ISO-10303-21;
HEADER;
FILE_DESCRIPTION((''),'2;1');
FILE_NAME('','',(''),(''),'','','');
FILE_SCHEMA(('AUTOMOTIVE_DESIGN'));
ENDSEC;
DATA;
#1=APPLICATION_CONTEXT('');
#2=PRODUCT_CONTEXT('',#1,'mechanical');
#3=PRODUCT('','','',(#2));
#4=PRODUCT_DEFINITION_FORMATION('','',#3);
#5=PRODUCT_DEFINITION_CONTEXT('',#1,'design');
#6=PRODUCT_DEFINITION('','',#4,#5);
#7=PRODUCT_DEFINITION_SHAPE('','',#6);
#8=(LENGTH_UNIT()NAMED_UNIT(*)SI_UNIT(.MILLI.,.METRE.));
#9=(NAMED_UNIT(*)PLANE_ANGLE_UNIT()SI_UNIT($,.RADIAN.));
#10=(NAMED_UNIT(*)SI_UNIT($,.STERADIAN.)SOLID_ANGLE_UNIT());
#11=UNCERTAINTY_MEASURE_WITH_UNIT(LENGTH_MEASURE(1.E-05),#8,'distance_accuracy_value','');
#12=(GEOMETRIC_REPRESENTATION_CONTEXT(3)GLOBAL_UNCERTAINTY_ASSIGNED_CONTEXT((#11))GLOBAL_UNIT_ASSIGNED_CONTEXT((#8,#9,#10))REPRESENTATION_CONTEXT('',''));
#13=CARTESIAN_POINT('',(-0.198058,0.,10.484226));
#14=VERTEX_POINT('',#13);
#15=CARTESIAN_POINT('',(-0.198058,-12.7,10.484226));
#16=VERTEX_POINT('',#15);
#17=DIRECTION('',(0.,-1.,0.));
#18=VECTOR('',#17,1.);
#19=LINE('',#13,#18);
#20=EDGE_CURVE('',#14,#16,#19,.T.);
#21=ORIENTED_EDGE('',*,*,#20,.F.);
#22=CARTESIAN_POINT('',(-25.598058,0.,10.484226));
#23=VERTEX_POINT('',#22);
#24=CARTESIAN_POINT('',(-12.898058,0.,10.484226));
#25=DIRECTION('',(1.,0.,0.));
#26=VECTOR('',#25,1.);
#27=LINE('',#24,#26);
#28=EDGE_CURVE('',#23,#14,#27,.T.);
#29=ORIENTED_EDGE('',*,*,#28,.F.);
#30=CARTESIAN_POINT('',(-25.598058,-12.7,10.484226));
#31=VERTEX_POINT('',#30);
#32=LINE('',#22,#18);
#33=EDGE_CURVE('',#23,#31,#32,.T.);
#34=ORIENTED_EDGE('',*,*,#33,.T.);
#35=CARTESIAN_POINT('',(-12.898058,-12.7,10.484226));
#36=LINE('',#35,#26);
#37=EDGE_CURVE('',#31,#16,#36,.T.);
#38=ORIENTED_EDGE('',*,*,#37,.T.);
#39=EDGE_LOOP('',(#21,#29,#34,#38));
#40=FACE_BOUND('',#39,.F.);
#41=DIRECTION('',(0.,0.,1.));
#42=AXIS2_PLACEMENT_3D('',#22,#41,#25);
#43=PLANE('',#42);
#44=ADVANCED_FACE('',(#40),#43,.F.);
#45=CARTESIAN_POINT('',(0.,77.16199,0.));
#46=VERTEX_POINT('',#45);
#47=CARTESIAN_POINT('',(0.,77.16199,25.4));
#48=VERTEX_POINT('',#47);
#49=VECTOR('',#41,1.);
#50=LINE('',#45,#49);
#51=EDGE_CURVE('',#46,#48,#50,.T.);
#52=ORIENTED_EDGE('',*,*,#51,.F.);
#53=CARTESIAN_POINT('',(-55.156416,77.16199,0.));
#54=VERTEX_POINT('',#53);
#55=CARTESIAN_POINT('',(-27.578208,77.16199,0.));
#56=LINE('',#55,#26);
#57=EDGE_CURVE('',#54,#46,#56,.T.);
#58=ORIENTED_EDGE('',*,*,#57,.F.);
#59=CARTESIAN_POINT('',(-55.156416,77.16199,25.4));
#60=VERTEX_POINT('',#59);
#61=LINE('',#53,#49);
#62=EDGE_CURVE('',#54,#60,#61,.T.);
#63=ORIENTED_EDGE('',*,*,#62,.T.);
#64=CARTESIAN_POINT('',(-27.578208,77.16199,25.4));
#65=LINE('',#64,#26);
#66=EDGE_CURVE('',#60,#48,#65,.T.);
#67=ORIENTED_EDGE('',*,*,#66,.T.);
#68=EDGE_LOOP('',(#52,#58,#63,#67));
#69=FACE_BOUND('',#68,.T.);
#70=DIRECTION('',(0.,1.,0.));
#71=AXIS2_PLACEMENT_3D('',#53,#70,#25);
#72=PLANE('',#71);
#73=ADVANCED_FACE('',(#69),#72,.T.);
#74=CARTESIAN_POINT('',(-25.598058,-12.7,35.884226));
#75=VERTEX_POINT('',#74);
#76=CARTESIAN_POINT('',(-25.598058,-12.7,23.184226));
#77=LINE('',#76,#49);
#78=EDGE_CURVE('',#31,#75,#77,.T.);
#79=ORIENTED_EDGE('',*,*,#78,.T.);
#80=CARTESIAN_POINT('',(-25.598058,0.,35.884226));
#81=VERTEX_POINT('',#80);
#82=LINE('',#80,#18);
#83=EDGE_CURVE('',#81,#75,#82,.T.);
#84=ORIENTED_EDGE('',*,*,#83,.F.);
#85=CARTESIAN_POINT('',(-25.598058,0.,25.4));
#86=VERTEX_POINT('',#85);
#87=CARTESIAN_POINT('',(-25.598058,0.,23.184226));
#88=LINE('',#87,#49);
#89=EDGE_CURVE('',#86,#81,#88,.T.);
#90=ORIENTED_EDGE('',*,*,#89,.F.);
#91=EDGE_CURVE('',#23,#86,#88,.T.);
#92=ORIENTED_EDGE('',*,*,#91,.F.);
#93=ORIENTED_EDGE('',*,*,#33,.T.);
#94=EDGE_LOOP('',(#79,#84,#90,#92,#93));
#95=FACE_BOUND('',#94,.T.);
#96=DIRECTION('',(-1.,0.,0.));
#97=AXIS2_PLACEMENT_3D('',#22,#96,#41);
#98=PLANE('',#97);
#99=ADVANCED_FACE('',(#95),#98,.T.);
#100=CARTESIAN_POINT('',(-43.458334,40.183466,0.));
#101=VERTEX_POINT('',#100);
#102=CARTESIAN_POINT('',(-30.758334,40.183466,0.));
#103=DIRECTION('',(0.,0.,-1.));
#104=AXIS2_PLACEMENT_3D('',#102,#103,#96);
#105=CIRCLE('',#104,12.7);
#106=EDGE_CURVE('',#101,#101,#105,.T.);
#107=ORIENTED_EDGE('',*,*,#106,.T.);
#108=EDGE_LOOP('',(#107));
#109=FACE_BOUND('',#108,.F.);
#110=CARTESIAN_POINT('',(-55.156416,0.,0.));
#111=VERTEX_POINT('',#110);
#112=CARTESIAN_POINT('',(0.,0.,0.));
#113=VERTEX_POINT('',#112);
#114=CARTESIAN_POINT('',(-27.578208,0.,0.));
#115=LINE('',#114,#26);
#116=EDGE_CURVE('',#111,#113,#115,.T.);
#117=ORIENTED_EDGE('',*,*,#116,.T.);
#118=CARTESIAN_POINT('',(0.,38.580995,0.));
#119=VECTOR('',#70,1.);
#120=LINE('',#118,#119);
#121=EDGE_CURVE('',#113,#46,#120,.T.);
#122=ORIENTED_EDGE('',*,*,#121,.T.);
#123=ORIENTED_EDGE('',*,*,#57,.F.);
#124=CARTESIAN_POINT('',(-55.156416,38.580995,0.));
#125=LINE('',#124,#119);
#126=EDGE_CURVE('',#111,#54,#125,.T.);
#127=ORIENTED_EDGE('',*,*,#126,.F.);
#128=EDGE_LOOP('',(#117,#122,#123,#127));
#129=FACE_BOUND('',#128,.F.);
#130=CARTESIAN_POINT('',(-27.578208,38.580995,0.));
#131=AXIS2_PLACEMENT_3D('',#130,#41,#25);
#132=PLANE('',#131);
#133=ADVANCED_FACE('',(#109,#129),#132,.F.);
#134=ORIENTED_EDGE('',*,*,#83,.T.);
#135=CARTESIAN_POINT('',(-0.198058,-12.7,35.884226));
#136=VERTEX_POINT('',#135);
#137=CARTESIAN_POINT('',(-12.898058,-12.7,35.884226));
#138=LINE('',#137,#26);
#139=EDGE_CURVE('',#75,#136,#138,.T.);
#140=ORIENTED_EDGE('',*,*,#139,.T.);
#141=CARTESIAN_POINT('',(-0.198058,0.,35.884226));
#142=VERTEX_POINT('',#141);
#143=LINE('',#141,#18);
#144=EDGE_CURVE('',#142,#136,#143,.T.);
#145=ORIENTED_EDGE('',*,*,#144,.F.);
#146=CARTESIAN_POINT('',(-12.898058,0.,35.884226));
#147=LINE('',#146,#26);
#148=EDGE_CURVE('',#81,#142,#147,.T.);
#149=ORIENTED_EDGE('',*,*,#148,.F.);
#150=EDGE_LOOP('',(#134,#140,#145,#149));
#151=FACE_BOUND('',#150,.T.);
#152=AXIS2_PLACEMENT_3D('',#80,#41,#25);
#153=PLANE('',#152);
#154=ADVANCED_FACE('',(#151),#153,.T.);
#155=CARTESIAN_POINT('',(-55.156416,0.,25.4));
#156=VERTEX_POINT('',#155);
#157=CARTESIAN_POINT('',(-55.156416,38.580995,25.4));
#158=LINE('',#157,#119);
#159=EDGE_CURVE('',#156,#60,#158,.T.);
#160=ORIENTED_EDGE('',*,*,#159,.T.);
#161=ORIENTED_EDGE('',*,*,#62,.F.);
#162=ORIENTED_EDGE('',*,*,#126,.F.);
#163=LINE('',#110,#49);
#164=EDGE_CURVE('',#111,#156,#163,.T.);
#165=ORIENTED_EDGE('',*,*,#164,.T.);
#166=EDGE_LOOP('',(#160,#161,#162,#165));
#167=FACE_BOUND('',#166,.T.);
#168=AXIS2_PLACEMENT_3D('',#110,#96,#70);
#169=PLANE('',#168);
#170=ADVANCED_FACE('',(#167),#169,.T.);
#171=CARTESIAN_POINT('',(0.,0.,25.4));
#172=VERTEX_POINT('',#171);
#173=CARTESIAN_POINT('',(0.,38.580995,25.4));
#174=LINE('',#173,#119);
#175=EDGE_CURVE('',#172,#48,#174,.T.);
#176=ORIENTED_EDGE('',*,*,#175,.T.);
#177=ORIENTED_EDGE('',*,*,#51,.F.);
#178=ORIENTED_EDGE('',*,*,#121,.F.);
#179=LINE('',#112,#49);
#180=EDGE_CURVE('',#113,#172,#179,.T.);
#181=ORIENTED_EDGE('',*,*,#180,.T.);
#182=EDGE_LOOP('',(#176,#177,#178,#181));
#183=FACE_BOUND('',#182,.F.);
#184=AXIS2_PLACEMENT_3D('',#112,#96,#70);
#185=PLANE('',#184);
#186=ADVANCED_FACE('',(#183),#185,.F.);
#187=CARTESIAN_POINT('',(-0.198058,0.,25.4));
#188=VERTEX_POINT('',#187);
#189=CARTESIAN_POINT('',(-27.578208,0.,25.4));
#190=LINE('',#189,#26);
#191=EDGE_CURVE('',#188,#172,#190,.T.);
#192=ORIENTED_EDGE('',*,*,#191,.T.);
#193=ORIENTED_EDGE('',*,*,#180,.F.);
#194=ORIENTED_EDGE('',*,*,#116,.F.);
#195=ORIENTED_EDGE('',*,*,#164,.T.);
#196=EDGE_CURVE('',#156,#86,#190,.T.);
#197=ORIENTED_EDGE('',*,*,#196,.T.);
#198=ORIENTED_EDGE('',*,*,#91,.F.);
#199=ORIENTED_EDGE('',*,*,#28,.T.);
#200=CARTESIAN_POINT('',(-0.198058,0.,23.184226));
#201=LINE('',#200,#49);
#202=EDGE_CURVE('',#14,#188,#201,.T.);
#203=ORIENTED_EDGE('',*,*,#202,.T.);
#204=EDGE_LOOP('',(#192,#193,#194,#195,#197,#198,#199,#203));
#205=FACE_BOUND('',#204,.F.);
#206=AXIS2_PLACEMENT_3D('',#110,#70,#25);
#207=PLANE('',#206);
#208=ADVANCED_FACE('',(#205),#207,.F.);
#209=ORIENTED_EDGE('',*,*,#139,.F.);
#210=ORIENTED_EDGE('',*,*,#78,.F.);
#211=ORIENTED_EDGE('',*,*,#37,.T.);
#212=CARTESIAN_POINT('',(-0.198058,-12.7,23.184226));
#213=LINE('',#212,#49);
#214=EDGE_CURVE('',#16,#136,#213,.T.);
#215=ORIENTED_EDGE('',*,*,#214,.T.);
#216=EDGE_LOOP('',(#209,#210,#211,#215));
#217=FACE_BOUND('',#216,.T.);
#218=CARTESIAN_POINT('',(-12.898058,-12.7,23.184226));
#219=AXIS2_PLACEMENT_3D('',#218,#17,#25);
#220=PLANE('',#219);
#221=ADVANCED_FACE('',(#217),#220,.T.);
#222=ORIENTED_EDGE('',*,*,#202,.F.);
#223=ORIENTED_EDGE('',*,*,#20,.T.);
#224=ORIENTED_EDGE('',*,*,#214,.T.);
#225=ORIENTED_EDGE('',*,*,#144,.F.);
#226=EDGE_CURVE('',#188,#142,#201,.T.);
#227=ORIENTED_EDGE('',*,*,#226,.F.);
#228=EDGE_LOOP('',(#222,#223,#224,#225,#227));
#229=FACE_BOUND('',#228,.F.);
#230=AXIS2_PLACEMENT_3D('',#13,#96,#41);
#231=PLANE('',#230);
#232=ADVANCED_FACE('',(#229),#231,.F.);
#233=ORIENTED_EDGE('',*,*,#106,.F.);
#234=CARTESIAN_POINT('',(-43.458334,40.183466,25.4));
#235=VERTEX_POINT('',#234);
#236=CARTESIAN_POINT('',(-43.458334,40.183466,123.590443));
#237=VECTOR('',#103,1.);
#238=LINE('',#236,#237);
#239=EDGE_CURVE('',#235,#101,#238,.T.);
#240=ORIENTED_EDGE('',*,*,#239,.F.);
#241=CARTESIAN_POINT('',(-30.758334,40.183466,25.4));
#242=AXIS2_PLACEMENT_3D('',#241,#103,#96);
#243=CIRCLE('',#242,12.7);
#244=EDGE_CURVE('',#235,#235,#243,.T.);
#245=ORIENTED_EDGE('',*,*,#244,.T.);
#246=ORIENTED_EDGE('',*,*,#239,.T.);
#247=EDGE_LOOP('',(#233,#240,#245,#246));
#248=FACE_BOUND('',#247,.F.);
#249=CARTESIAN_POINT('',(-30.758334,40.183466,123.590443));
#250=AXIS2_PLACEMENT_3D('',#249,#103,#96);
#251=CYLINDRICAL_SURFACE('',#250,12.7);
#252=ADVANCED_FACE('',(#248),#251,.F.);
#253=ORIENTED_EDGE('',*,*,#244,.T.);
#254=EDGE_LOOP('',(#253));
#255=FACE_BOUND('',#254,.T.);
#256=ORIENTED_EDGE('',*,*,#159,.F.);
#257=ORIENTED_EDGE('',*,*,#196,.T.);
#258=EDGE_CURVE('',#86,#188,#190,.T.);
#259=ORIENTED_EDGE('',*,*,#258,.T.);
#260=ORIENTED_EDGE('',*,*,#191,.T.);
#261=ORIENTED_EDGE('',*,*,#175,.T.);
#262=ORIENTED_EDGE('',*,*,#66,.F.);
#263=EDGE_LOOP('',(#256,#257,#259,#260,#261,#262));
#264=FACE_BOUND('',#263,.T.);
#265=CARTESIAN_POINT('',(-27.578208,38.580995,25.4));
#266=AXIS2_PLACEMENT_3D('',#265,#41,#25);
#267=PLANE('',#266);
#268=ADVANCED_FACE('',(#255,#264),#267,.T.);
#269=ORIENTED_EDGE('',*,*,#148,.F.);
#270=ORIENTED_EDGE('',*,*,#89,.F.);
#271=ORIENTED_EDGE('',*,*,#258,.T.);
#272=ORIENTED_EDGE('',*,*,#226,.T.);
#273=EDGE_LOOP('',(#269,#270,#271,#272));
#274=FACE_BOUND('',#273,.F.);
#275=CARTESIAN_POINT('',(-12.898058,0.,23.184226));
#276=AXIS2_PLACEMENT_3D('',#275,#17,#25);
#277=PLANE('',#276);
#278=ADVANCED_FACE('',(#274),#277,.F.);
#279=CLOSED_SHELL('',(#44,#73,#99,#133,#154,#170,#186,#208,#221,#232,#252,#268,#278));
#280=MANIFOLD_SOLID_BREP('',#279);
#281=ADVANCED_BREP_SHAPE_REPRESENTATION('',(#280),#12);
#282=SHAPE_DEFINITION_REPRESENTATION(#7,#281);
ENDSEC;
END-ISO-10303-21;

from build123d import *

# Parameters (mm, degrees)
F0_W     = 55.156417
F0_H     = 77.16199
F1_DEPTH = 25.4
F3_D     = 25.4
F4_W     = 25.4
F4_H     = 25.4
F5_DEPTH = 12.7


with BuildPart() as f1:
    # F0 (on Top) → F1 (new body)
    with BuildSketch(Plane.XY):
        with Locations((-27.578208, 38.580995)):
            Rectangle(F0_W, F0_H)
    extrude(amount=F1_DEPTH)

    # F3 (through all)
    with Locations(Plane.XY.offset(25.4)):
        with Locations((-30.758334, 40.183466)):
            Hole(F3_D / 2)

    # F4 (on face) → F5 (join)
    with BuildSketch(Plane.XZ):
        with Locations((-12.898058, 23.184226)):
            Rectangle(F4_W, F4_H)
    extrude(amount=F5_DEPTH)


solid = f1.part
